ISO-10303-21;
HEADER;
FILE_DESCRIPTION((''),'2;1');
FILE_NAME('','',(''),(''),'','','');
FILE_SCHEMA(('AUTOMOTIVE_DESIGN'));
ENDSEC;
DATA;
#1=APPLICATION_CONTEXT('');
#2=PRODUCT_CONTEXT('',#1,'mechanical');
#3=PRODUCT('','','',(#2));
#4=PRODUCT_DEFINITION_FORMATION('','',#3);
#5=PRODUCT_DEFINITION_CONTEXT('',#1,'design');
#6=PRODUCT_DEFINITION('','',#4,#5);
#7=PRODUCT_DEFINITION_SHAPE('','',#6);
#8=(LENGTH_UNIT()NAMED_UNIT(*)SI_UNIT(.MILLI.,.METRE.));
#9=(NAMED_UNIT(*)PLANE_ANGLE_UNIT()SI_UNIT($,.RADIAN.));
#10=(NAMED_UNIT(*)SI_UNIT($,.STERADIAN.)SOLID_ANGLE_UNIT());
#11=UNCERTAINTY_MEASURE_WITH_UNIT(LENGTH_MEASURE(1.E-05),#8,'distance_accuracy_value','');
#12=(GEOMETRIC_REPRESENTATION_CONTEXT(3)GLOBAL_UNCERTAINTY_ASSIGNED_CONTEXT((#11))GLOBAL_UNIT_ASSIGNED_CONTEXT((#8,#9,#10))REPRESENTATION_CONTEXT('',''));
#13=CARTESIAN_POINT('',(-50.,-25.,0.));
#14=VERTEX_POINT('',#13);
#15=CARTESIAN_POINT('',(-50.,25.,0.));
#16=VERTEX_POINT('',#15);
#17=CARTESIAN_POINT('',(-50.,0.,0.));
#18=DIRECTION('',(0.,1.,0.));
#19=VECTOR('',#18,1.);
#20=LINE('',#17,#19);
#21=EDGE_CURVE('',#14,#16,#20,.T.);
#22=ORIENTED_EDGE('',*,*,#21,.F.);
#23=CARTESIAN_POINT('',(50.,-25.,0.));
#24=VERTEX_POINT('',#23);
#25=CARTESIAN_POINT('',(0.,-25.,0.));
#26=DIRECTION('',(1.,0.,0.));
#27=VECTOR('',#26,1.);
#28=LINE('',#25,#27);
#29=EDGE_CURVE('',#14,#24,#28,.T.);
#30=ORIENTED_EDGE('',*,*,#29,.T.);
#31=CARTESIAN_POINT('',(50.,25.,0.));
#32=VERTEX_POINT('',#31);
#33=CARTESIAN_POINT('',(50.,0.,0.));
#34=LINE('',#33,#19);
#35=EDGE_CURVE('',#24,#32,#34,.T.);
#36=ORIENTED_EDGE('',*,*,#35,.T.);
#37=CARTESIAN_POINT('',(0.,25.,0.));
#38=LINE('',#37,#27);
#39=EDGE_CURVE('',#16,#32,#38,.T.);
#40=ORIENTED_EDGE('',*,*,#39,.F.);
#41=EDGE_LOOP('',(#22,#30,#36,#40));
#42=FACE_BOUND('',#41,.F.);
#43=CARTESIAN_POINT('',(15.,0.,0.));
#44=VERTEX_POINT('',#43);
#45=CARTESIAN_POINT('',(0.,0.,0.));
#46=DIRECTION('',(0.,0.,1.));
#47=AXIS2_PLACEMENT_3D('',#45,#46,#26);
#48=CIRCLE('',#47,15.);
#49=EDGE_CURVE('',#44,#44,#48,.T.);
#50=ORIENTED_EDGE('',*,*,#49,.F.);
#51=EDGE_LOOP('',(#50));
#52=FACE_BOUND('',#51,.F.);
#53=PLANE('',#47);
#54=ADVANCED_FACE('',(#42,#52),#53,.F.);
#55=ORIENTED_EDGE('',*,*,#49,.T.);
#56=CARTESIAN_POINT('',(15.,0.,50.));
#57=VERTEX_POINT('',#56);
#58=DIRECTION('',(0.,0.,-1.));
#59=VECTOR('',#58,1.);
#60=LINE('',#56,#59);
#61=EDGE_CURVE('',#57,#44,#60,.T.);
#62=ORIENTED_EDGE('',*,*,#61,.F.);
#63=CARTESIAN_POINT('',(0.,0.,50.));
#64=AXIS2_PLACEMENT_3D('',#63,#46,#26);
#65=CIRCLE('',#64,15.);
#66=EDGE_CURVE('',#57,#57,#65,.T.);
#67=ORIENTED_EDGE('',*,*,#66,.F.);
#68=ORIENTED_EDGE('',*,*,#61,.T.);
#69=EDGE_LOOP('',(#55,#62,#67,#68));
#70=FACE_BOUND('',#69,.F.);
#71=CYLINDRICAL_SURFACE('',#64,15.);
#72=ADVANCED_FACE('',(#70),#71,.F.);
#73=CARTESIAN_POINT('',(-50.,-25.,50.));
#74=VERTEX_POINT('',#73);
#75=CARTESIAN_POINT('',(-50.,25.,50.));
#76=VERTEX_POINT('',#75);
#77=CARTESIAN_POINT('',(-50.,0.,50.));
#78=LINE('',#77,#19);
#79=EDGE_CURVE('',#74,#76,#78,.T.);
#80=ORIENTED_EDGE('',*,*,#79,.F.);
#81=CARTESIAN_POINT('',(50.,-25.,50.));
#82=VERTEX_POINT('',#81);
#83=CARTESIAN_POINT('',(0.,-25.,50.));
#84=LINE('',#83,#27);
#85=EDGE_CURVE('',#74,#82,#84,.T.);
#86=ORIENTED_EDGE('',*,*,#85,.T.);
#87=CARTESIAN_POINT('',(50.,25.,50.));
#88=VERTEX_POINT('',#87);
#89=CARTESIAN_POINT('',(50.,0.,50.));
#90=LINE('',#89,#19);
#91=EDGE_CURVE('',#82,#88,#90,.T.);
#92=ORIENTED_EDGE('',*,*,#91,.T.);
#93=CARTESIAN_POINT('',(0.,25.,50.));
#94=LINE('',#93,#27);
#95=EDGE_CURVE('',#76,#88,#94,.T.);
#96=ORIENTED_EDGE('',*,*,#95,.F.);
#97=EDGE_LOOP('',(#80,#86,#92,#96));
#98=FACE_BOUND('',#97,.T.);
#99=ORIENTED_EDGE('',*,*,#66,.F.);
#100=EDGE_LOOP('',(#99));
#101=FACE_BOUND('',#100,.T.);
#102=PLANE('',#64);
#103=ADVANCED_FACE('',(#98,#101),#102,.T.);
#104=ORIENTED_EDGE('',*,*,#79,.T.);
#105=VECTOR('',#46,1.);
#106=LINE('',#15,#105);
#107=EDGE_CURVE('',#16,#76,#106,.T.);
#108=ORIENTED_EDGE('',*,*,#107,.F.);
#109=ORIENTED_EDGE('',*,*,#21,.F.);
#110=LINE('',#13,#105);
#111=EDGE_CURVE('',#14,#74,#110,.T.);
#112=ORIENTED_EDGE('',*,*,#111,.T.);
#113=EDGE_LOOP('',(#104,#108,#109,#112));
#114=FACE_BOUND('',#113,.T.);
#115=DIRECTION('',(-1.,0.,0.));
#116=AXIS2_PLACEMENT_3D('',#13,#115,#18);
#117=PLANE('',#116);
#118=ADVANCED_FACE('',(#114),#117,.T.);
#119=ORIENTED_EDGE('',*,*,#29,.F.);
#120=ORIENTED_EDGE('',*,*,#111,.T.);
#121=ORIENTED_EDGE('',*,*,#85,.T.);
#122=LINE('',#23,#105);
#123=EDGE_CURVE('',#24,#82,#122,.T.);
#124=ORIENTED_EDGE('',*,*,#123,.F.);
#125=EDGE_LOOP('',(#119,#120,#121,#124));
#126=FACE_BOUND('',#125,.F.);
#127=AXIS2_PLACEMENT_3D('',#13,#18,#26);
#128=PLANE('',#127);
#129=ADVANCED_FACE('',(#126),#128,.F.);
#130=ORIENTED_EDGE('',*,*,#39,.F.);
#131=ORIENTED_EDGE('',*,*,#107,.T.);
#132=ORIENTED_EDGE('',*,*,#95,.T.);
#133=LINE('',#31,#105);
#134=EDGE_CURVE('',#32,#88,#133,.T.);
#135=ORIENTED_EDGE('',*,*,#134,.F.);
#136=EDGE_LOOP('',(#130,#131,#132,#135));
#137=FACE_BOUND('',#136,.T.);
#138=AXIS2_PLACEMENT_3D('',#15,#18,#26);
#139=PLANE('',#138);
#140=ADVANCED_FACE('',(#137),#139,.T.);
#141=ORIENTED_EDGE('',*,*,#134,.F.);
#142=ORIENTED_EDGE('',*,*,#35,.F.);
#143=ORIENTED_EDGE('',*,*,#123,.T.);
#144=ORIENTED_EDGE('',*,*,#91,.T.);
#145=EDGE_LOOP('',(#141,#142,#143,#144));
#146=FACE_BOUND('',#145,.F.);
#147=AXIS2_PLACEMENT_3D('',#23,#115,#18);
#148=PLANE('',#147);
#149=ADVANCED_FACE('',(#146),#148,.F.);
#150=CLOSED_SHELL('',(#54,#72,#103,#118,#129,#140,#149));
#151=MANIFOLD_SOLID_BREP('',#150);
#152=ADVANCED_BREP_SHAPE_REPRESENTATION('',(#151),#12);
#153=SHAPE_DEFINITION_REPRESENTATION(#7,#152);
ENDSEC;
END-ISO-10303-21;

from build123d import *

# Parameters (mm, degrees)
F0_W     = 100
F0_H     = 50
F1_DEPTH = 50
F2_R     = 15
F3_DEPTH = 50
F4_DEPTH = 50


with BuildPart() as f1:
    # F0 (on Top) → F1 (new body)
    with BuildSketch(Plane.XY):
        Rectangle(F0_W, F0_H)
    extrude(amount=F1_DEPTH)

    # F2 (on face) → F3 (cut)
    with BuildSketch(Plane.XY.offset(50)):
        Circle(F2_R)
    extrude(amount=F3_DEPTH, mode=Mode.SUBTRACT)

    # F2 (on face) → F4 (cut)
    with BuildSketch(Plane.XY.offset(50)):
        Circle(F2_R)
    extrude(amount=-F4_DEPTH, mode=Mode.SUBTRACT)


solid = f1.part
